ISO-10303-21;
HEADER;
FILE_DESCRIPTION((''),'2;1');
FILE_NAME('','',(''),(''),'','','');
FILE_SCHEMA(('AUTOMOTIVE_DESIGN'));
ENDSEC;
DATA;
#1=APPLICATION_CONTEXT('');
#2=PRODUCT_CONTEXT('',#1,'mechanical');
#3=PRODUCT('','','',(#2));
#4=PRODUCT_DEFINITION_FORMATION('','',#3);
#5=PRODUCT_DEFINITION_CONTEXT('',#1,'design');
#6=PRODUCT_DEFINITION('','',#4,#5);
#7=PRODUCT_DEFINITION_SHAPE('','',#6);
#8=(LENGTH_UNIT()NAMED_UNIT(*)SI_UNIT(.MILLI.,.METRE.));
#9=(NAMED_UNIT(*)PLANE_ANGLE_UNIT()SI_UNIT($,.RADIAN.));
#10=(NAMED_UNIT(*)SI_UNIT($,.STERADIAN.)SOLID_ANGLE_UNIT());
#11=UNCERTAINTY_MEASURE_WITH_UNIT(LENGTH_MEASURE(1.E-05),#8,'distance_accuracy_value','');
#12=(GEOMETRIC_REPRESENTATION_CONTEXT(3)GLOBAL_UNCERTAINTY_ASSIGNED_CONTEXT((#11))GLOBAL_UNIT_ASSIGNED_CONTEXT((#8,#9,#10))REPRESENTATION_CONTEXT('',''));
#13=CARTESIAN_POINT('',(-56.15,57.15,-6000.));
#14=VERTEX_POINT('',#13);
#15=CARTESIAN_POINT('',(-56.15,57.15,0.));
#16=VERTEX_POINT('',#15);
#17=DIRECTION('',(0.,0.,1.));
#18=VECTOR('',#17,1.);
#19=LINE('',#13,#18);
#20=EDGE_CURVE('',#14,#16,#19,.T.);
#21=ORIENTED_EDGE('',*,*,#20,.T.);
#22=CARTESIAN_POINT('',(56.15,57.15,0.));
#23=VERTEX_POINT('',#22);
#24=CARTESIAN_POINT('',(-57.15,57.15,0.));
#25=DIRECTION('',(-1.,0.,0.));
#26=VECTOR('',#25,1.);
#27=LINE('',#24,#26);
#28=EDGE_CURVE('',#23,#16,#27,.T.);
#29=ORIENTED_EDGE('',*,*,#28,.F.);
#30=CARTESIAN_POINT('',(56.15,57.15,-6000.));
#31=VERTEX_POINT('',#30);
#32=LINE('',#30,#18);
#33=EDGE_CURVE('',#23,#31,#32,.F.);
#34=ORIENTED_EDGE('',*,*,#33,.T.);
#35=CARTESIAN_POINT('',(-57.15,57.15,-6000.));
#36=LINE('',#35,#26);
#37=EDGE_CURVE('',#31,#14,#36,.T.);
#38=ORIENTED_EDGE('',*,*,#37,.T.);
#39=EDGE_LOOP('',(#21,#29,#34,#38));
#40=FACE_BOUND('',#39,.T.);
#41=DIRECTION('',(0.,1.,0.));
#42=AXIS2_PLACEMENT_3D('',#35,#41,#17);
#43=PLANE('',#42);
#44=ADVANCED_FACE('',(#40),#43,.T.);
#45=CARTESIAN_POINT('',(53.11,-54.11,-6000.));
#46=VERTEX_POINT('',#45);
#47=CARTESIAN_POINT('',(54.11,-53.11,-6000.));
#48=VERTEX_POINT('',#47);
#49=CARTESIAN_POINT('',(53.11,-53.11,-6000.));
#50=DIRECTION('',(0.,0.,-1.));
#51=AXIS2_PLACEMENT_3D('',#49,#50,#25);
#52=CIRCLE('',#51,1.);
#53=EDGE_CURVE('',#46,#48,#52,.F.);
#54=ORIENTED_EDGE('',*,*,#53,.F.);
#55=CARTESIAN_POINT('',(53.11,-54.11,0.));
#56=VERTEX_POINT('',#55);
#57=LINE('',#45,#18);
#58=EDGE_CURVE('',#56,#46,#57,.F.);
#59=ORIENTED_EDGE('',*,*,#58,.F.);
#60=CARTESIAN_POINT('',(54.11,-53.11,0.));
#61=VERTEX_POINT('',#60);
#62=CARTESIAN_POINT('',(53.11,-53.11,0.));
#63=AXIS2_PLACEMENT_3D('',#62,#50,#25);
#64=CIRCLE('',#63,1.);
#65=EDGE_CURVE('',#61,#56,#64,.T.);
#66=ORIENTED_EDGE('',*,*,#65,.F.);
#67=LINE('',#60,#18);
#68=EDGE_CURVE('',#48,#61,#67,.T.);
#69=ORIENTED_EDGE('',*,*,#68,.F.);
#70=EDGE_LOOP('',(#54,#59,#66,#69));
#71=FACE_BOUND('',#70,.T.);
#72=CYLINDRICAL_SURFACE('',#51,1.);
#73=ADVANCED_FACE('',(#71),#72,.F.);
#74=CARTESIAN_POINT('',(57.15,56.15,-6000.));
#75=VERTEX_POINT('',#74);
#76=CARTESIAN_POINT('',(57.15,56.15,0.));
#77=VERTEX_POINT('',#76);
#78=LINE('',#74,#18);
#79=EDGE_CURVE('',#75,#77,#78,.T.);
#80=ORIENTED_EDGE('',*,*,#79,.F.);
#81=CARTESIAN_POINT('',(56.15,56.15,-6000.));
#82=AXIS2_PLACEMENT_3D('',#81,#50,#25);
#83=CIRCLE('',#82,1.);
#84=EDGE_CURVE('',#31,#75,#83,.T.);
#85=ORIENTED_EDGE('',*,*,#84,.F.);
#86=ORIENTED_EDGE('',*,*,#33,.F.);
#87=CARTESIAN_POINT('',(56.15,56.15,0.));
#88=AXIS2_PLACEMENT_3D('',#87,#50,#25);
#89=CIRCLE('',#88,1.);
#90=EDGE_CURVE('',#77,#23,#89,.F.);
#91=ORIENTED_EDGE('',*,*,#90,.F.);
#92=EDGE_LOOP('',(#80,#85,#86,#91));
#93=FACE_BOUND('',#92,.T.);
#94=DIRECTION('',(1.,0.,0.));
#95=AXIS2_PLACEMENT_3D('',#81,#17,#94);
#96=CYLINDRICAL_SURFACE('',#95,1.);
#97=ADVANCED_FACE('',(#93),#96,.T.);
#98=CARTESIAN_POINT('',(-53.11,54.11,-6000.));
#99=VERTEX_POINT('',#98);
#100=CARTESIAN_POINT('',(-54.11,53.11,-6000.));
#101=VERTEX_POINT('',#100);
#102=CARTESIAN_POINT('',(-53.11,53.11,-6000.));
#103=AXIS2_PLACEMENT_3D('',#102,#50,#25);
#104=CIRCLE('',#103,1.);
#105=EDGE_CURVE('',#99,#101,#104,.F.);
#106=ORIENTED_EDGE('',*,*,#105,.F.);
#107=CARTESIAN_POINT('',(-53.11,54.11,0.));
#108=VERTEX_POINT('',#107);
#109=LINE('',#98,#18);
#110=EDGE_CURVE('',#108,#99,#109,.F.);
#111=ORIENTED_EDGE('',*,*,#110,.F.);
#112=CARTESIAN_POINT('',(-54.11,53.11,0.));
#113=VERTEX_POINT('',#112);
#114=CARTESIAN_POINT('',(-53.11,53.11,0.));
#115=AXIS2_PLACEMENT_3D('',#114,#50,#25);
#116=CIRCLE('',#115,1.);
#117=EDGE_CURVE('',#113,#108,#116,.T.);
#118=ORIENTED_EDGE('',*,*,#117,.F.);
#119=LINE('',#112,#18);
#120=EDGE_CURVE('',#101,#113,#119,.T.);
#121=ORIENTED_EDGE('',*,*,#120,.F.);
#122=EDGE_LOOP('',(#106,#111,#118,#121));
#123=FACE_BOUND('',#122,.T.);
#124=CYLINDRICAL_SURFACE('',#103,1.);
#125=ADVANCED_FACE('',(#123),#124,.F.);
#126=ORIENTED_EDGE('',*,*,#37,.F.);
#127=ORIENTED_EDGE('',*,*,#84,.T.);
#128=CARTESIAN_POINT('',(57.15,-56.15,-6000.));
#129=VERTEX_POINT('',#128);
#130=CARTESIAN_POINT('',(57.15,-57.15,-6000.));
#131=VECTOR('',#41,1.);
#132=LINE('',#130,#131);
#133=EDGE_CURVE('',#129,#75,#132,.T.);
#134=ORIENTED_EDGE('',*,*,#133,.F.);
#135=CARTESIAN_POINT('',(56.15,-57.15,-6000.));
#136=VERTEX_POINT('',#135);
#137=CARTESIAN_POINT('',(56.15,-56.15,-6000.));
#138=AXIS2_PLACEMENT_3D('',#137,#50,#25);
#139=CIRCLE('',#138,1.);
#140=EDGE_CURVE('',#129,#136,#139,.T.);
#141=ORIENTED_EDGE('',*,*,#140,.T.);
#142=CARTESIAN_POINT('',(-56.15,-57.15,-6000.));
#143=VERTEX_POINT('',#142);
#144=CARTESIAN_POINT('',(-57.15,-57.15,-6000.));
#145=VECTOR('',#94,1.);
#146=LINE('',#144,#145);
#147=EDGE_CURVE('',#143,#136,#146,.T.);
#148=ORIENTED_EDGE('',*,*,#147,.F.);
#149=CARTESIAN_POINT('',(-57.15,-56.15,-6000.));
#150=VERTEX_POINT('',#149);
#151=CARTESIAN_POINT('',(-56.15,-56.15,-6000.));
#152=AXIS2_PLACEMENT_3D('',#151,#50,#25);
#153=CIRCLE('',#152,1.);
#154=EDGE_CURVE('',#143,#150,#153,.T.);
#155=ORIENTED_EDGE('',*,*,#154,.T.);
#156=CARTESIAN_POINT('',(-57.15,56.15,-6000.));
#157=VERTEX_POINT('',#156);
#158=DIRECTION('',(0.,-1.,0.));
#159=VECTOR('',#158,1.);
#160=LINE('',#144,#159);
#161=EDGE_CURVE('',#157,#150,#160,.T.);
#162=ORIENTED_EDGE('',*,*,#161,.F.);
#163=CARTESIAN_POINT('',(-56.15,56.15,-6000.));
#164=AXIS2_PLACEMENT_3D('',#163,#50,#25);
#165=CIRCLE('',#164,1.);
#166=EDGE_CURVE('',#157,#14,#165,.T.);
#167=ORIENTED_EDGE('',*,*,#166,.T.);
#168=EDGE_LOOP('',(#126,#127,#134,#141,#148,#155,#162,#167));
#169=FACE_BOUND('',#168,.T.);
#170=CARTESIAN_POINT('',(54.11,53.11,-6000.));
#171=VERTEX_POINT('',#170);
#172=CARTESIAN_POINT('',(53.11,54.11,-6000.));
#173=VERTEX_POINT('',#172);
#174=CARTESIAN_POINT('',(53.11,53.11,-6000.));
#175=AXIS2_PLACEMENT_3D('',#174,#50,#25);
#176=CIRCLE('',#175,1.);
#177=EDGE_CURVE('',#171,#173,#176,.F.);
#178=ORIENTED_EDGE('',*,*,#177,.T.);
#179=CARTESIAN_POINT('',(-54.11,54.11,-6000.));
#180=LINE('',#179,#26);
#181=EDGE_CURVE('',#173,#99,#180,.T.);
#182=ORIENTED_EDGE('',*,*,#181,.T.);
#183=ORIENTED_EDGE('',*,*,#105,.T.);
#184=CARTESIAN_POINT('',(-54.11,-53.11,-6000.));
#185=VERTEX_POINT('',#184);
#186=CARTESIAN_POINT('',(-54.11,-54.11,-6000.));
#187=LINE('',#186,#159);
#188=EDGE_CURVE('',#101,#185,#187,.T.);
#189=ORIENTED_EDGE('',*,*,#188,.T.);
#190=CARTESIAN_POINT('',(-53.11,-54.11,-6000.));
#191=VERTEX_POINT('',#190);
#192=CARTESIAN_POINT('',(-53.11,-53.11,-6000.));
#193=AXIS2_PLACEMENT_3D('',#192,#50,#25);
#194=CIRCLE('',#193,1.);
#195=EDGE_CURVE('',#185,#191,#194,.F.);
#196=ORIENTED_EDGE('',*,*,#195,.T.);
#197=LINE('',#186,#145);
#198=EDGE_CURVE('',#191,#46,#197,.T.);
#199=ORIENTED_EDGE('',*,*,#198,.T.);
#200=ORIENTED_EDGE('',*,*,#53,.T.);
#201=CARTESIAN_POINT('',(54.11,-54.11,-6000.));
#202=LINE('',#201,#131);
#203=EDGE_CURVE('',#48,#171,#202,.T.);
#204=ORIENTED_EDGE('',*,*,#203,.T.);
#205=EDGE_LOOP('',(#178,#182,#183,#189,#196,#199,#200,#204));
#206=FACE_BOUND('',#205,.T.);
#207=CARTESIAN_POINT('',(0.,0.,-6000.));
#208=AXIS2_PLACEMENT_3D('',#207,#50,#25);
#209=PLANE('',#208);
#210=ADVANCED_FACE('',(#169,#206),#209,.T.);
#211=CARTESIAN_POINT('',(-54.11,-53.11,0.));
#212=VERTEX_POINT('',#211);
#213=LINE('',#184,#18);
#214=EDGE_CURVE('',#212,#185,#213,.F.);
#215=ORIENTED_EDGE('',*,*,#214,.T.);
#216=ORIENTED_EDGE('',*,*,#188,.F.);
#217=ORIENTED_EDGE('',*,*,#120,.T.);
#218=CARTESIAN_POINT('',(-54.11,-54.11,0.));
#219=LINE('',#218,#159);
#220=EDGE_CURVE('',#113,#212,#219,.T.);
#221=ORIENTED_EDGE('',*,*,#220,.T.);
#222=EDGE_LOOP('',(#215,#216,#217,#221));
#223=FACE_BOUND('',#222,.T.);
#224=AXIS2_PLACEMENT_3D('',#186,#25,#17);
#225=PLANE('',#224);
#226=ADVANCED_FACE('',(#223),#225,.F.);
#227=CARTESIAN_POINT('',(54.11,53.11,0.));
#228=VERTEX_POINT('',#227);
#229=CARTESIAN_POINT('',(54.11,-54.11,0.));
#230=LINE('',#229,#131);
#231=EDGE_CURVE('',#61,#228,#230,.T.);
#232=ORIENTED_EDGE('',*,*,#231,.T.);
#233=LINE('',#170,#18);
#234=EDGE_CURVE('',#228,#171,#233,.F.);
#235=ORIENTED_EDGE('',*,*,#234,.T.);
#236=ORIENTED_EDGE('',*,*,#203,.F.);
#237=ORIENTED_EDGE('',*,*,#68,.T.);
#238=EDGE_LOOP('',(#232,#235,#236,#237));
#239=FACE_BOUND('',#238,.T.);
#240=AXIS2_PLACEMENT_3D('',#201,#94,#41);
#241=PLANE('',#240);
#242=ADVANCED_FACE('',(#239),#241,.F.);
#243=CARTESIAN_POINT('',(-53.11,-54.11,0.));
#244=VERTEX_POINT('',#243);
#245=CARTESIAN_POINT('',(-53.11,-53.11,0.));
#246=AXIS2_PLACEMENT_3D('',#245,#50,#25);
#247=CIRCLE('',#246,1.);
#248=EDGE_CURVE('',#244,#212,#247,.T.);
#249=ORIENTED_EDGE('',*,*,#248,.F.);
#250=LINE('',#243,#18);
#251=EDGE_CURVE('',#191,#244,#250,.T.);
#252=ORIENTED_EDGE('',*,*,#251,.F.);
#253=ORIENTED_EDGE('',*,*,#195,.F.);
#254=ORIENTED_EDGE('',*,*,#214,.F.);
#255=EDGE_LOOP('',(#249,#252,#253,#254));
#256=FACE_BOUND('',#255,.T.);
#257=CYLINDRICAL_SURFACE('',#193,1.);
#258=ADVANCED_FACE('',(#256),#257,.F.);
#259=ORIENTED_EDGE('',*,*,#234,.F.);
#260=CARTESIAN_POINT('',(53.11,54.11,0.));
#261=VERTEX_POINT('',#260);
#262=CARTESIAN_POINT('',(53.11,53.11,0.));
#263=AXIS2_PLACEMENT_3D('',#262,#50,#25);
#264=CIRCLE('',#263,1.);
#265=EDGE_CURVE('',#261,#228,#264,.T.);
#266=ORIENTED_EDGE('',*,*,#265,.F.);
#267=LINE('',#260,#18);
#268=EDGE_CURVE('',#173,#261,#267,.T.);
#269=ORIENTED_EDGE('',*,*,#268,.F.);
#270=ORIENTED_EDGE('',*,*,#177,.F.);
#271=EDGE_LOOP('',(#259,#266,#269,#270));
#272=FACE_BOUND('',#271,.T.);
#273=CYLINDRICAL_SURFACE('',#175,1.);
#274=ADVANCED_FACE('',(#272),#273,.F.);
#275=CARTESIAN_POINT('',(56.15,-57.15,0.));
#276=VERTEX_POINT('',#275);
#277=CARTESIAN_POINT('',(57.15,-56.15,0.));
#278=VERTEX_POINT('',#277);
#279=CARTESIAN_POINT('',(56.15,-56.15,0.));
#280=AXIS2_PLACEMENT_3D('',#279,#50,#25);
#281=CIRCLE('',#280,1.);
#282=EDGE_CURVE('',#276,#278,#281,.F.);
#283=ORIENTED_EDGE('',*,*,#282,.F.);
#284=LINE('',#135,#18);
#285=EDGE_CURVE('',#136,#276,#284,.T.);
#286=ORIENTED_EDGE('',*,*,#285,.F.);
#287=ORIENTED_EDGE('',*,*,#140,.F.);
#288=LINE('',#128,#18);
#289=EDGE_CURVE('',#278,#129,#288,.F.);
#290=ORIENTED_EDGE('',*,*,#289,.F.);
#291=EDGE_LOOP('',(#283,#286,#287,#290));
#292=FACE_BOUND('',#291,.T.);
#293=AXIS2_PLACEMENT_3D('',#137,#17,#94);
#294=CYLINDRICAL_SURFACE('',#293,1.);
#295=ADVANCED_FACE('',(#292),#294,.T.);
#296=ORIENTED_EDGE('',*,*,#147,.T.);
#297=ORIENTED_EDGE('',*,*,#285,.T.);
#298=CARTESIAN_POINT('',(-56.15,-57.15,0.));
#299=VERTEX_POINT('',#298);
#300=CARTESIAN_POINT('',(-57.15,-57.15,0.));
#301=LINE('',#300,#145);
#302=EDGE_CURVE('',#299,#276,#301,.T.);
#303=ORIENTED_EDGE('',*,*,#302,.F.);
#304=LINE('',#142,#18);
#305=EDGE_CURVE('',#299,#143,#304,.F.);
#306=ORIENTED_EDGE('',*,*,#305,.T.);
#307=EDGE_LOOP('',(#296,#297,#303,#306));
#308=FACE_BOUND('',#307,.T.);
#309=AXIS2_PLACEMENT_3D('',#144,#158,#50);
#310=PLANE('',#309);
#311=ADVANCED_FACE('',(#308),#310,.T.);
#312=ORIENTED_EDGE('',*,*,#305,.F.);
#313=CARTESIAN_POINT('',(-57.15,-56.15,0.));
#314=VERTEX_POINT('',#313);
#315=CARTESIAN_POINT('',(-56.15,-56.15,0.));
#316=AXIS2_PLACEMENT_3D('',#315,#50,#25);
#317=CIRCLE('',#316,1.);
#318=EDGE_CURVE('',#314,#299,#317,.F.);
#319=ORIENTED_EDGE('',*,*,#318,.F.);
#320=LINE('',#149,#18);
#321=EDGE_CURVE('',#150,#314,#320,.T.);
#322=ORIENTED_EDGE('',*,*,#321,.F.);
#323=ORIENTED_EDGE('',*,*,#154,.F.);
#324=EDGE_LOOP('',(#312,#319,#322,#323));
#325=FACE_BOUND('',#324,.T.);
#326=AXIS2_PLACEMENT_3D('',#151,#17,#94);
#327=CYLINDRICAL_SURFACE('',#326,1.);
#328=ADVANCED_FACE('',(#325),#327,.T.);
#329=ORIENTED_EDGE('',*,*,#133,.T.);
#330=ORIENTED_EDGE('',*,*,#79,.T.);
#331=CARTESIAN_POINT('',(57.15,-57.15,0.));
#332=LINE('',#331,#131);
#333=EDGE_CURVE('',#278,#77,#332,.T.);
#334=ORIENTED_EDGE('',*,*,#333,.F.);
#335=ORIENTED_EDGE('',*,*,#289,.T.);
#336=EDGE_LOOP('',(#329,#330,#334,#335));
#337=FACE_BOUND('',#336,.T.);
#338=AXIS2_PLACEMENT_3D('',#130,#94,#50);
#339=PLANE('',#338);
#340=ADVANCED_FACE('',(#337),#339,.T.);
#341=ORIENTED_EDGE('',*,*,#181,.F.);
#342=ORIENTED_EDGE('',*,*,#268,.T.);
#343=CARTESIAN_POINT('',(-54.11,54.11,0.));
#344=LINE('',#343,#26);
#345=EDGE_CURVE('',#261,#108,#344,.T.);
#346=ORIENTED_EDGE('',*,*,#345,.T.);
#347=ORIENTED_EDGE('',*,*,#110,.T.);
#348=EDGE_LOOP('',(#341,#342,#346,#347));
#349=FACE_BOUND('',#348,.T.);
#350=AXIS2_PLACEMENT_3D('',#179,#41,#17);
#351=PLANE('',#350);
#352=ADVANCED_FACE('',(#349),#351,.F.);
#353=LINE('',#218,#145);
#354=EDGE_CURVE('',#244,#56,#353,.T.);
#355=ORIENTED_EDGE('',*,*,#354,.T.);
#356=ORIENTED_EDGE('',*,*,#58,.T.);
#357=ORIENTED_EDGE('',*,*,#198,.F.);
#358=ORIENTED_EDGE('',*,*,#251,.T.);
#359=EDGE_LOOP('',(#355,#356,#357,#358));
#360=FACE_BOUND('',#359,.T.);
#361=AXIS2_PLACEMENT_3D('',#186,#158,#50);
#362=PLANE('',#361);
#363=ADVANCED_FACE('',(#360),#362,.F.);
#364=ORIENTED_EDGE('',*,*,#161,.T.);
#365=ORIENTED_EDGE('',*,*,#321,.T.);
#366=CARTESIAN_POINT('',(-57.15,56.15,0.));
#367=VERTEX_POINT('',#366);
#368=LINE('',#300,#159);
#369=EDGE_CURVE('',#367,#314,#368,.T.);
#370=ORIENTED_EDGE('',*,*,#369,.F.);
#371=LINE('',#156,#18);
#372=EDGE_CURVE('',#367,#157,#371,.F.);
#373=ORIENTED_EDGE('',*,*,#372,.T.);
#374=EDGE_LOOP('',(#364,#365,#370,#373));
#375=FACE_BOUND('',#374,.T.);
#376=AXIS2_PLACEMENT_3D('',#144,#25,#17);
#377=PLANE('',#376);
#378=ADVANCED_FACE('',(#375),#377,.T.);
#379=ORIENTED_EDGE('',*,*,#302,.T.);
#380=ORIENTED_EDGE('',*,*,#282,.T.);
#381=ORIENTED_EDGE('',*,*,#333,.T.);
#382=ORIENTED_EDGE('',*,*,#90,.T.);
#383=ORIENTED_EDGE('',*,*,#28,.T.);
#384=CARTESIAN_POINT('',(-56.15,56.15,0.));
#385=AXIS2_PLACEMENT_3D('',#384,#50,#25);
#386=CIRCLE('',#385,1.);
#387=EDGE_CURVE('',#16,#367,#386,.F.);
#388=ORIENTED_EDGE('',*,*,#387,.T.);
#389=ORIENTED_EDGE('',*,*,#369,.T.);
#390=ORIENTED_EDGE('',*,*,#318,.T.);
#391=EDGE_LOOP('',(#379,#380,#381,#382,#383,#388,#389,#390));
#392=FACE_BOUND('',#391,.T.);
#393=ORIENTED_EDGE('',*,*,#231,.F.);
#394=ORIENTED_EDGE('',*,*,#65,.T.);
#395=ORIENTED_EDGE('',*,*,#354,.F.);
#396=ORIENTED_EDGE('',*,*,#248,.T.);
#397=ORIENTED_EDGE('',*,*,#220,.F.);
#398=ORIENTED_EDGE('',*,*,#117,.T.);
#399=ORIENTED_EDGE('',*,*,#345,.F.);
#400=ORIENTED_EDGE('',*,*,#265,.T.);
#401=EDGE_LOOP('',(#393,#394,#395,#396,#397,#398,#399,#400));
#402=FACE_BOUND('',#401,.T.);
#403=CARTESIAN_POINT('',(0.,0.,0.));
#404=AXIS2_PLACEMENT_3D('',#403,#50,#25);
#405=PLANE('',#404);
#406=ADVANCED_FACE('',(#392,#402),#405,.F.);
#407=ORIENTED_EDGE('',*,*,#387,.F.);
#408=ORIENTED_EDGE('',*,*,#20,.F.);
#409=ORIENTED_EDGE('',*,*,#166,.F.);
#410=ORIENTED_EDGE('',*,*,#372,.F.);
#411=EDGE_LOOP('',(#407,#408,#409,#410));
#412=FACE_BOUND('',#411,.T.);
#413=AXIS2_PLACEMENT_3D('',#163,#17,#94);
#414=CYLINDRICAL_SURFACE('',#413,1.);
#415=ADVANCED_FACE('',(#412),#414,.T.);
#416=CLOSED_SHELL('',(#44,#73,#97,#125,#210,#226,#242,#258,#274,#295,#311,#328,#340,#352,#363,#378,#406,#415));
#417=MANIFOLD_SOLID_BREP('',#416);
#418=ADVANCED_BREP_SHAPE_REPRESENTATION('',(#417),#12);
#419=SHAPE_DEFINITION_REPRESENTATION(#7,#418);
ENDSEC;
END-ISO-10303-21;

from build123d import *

# Parameters (mm, degrees)
CROQUIS1_W              = 114.3
CROQUIS1_H              = 114.3
CROQUIS1_W_2            = 108.22
CROQUIS1_H_2            = 108.22
SALIENTE_EXTRUIR1_DEPTH = 6000
REDONDEO1_R             = 1


with BuildPart() as part:
    # Croquis1 → Saliente-Extruir1 (new body)
    with BuildSketch(Plane.XY):
        Rectangle(CROQUIS1_W, CROQUIS1_H)
        Rectangle(CROQUIS1_W_2, CROQUIS1_H_2, mode=Mode.SUBTRACT)
    extrude(amount=-SALIENTE_EXTRUIR1_DEPTH)

    # Redondeo1
    redondeo1_edges = [part.edges().sort_by_distance(p)[0] for p in [
        (54.11, -54.11, -3000),
        (-54.11, -54.11, -3000),
        (-54.11, 54.11, -3000),
        (54.11, 54.11, -3000),
        (57.15, -57.15, -3000),
        (-57.15, -57.15, -3000),
        (-57.15, 57.15, -3000),
        (57.15, 57.15, -3000),
    ]]
    fillet(redondeo1_edges, radius=REDONDEO1_R)


solid = part.part
